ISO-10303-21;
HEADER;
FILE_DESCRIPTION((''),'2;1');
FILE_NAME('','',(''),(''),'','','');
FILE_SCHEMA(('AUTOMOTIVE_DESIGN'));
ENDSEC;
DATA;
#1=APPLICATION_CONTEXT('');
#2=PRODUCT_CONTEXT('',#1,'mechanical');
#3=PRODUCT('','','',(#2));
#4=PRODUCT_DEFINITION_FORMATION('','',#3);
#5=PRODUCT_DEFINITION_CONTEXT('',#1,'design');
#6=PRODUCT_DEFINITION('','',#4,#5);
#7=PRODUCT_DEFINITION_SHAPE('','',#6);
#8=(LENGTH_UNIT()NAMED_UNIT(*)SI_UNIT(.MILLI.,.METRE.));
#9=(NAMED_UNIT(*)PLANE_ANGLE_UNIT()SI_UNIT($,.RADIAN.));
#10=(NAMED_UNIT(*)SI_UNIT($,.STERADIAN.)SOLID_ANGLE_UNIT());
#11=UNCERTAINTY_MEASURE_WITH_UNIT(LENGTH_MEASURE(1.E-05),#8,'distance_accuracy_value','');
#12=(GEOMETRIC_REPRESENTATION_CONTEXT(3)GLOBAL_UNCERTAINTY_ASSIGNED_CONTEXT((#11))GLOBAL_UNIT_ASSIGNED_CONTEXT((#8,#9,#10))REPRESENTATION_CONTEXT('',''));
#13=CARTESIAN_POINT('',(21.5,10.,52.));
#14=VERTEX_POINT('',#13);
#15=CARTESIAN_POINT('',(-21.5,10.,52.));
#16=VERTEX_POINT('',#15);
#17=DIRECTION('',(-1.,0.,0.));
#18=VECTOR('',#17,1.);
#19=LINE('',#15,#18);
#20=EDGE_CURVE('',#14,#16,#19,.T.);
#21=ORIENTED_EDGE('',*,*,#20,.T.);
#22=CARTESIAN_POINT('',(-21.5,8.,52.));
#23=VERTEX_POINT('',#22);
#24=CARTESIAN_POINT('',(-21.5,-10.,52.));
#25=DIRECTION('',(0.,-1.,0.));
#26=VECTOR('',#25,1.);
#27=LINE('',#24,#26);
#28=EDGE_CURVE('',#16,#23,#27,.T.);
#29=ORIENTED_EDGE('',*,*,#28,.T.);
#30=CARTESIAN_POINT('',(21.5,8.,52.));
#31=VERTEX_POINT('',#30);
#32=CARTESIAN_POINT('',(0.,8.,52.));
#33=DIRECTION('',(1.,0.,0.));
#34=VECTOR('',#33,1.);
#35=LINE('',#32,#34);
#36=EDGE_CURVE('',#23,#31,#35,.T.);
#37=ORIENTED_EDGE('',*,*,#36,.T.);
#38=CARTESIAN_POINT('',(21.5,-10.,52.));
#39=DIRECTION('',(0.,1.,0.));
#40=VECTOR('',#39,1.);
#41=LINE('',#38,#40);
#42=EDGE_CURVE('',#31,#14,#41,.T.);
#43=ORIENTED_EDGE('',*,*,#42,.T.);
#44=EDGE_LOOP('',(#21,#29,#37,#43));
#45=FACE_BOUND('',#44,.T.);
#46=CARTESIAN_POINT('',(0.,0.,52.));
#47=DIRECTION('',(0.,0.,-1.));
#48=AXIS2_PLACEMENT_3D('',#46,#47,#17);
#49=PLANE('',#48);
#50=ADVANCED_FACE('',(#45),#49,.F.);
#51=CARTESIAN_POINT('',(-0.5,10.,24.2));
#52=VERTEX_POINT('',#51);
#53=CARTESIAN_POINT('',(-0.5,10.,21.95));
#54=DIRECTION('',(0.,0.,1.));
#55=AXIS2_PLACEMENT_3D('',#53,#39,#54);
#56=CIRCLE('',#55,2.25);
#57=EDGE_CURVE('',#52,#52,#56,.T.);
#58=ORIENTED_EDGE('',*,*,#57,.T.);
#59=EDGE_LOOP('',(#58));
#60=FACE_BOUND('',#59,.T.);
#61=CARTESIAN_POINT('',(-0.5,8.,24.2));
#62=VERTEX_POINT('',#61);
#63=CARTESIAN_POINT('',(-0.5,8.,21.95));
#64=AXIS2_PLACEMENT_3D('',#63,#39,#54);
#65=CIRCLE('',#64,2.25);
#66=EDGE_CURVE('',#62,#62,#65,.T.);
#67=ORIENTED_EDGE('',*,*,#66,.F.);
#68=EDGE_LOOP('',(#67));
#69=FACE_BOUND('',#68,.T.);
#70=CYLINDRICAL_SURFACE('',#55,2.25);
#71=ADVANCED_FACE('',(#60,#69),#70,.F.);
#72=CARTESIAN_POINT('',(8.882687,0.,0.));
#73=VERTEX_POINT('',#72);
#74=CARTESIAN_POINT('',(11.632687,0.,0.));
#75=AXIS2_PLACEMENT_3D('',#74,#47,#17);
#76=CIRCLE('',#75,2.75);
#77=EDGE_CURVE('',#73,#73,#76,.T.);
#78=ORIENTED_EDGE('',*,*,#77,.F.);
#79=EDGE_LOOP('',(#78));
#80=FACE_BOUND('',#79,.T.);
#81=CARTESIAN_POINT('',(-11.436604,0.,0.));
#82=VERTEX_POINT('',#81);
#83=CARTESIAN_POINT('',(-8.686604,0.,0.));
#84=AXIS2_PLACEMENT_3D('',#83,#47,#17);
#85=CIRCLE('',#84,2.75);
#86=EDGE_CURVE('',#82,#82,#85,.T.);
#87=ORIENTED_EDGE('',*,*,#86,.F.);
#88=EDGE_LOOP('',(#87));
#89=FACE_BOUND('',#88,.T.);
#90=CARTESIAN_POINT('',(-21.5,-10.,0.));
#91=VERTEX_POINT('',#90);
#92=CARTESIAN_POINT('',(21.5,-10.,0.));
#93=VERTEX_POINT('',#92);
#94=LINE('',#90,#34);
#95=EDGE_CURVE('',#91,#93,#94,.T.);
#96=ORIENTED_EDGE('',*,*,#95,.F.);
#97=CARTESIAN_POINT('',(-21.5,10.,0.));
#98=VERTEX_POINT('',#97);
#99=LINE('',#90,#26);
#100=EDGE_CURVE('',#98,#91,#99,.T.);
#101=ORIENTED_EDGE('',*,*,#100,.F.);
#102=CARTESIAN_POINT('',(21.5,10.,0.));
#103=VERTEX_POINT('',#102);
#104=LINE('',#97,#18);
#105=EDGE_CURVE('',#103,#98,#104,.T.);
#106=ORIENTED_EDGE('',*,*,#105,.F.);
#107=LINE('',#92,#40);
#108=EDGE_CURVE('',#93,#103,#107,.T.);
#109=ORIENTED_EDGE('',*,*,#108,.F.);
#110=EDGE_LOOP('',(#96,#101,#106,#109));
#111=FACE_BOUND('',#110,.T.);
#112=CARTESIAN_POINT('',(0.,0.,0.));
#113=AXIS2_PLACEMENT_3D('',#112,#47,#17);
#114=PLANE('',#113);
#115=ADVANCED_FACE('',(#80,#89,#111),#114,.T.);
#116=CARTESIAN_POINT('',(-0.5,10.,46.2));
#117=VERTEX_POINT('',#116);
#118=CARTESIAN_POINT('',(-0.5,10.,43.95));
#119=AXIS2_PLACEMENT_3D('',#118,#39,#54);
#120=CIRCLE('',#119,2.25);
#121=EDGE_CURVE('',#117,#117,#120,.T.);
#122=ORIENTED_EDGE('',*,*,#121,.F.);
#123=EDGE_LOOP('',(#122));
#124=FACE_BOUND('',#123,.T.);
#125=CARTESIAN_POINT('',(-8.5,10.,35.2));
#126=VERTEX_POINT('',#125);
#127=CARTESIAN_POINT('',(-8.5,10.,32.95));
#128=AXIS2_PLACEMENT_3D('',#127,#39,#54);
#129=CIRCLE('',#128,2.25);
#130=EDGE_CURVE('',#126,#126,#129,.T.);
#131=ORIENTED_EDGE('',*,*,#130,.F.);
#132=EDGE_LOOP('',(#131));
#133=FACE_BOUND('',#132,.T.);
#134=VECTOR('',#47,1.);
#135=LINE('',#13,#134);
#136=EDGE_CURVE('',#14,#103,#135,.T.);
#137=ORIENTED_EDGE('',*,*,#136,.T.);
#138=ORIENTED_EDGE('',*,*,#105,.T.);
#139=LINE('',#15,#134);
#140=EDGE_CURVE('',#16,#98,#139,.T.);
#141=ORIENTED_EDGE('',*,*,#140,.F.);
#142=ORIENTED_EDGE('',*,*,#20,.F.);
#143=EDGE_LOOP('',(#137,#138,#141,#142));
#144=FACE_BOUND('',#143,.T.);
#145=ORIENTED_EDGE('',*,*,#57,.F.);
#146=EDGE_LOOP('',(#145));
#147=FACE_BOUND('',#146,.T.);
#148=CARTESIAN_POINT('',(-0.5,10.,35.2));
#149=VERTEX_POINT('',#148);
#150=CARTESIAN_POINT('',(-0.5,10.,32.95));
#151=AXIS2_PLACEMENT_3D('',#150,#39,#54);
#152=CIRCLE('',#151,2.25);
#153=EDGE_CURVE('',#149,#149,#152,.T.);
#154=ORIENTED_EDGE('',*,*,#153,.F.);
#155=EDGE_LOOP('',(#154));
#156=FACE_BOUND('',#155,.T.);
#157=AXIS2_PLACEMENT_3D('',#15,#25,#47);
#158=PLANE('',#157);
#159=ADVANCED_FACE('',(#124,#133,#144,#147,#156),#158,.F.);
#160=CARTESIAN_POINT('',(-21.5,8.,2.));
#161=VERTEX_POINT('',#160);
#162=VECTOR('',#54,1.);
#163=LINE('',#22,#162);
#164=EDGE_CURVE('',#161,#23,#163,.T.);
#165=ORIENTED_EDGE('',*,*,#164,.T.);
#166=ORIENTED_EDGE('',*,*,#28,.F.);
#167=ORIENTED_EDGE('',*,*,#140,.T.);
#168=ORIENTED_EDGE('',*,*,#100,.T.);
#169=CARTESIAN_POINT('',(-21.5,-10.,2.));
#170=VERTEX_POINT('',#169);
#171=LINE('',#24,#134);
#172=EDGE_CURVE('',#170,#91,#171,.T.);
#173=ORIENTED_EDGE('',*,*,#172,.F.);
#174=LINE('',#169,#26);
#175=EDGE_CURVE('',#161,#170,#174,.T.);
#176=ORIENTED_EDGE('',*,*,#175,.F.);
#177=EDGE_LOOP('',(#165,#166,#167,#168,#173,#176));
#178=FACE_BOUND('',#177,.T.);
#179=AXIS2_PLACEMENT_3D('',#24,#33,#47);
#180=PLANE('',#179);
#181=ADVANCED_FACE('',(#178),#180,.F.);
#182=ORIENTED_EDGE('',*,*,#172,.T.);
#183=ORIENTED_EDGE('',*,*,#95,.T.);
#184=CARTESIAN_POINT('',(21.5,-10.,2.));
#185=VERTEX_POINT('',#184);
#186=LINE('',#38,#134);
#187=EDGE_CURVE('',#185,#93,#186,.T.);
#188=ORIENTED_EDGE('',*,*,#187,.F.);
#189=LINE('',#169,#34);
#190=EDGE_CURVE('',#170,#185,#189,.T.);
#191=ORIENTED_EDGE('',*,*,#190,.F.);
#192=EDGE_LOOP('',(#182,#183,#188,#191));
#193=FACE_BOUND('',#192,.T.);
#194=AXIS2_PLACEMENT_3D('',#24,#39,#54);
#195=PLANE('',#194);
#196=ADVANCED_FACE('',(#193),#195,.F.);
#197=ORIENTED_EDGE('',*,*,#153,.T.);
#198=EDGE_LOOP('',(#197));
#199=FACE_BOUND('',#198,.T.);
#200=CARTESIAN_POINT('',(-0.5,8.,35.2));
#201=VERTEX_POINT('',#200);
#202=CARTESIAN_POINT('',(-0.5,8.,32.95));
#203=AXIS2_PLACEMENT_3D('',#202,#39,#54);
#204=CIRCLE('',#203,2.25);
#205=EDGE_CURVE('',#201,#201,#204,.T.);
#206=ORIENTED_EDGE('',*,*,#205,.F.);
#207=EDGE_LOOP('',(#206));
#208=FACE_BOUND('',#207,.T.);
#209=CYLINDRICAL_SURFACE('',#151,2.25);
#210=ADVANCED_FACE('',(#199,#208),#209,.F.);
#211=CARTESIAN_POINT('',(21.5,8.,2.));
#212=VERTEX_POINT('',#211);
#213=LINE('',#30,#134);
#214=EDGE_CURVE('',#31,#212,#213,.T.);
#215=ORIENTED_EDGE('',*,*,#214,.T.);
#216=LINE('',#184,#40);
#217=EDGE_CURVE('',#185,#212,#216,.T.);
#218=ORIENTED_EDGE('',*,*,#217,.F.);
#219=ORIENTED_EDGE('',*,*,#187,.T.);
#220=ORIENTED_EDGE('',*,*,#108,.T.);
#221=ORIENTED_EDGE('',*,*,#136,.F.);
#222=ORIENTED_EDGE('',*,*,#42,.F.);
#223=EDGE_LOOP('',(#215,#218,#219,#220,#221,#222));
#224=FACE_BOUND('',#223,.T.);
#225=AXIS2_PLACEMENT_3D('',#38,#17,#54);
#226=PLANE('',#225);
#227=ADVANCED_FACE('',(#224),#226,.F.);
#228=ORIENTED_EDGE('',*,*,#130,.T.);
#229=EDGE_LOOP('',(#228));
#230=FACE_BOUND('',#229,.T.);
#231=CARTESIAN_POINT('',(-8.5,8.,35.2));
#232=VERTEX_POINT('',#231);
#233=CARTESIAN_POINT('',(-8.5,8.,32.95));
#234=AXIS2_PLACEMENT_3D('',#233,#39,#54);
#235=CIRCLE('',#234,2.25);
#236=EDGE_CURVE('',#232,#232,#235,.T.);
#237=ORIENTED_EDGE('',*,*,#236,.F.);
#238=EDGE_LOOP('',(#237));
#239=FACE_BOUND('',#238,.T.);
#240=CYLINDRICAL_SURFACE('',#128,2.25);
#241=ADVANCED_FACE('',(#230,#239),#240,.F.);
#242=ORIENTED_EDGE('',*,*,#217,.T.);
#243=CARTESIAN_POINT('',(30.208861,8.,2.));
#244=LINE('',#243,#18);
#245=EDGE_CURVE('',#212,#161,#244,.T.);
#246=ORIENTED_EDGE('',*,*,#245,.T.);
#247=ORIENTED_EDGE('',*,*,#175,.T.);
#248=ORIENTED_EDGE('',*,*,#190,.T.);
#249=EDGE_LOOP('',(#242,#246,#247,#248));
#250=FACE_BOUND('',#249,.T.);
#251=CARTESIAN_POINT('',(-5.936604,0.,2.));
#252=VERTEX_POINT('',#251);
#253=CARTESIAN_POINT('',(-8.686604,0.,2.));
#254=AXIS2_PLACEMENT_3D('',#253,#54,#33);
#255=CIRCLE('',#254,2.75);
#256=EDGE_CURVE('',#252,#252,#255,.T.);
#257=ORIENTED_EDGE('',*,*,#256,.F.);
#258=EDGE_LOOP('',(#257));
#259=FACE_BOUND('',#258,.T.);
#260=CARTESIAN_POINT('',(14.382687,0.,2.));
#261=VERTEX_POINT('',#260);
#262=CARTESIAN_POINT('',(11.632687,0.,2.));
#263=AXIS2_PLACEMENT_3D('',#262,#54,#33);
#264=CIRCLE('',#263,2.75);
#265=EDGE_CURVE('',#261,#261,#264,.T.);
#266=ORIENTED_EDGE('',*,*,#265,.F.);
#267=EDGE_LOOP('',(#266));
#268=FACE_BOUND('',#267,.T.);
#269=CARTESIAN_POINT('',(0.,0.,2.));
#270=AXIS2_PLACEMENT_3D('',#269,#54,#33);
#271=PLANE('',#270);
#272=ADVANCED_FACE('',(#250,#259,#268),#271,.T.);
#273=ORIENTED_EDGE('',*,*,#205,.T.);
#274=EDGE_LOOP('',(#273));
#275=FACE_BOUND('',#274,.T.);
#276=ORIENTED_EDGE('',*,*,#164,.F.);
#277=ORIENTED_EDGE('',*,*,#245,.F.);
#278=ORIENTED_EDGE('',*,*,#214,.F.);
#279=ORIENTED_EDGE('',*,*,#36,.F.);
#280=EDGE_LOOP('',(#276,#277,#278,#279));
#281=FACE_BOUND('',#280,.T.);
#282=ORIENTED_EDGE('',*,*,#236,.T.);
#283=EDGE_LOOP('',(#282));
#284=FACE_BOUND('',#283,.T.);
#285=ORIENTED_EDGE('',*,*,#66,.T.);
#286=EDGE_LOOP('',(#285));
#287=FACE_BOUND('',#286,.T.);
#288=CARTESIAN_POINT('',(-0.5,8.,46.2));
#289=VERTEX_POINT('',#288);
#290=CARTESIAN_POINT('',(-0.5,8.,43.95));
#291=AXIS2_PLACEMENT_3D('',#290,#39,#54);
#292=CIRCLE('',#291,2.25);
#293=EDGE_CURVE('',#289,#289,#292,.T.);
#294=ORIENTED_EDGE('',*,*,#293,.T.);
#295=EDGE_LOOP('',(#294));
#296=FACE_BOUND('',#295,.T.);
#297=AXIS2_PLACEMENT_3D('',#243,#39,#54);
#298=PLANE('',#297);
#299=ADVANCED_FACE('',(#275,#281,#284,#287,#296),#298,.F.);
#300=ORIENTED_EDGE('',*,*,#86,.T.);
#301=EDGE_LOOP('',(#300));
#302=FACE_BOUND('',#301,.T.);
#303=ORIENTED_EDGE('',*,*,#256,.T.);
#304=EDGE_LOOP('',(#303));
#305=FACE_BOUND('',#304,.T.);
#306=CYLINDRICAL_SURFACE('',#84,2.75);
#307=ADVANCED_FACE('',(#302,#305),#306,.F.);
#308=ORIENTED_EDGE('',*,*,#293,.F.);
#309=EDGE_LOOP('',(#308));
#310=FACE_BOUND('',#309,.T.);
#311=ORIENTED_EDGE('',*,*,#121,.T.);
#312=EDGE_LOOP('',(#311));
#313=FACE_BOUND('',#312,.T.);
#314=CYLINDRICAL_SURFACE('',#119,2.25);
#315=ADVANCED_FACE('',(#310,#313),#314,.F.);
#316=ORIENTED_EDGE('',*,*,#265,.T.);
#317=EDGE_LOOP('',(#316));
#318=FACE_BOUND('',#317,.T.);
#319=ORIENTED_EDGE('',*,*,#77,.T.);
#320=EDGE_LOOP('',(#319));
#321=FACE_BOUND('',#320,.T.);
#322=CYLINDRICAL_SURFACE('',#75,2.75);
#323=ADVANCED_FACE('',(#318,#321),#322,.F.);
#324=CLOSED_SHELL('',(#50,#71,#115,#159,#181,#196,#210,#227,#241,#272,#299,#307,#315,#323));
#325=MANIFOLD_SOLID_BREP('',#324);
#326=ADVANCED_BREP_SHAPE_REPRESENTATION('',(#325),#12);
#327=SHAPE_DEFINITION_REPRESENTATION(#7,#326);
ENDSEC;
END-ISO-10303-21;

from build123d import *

# Parameters (mm, degrees)
ESQUISSE1_W             = 43
ESQUISSE1_H             = 20
BOSS_EXTRU_1_DEPTH      = 52
ESQUISSE2_W             = 57.277645312
ESQUISSE2_H             = 21.944309951
ENL_V_MAT_EXTRU_1_DEPTH = 50
D_GAGEMENT_M41_D        = 4.5
D_GAGEMENT_M51_D        = 5.5


with BuildPart() as part:
    # Esquisse1 → Boss.-Extru.1 (new body)
    with BuildSketch(Plane.XY):
        Rectangle(ESQUISSE1_W, ESQUISSE1_H)
    extrude(amount=BOSS_EXTRU_1_DEPTH)

    # Esquisse2 → Enlèv. mat.-Extru.1 (cut)
    with BuildSketch(Plane.XY.offset(52)):
        with Locations((1.570038745, -2.972154976)):
            Rectangle(ESQUISSE2_W, ESQUISSE2_H)
    extrude(amount=-ENL_V_MAT_EXTRU_1_DEPTH, mode=Mode.SUBTRACT)

    # Dégagement M41 (through all)
    with Locations(Plane(origin=(0, 10, 0), x_dir=(1, 0, 0), z_dir=(0, 1, 0))):
        with Locations((-0.5, -21.95), (-0.5, -32.95), (-0.5, -43.95), (-8.5, -32.95)):
            Hole(D_GAGEMENT_M41_D / 2)

    # Dégagement M51 (through all)
    with Locations(Plane(origin=(0, 0, 0), x_dir=(-1, 0, 0), z_dir=(0, 0, -1))):
        with Locations((-11.632687115, 0), (8.686603755, 0)):
            Hole(D_GAGEMENT_M51_D / 2)


solid = part.part
